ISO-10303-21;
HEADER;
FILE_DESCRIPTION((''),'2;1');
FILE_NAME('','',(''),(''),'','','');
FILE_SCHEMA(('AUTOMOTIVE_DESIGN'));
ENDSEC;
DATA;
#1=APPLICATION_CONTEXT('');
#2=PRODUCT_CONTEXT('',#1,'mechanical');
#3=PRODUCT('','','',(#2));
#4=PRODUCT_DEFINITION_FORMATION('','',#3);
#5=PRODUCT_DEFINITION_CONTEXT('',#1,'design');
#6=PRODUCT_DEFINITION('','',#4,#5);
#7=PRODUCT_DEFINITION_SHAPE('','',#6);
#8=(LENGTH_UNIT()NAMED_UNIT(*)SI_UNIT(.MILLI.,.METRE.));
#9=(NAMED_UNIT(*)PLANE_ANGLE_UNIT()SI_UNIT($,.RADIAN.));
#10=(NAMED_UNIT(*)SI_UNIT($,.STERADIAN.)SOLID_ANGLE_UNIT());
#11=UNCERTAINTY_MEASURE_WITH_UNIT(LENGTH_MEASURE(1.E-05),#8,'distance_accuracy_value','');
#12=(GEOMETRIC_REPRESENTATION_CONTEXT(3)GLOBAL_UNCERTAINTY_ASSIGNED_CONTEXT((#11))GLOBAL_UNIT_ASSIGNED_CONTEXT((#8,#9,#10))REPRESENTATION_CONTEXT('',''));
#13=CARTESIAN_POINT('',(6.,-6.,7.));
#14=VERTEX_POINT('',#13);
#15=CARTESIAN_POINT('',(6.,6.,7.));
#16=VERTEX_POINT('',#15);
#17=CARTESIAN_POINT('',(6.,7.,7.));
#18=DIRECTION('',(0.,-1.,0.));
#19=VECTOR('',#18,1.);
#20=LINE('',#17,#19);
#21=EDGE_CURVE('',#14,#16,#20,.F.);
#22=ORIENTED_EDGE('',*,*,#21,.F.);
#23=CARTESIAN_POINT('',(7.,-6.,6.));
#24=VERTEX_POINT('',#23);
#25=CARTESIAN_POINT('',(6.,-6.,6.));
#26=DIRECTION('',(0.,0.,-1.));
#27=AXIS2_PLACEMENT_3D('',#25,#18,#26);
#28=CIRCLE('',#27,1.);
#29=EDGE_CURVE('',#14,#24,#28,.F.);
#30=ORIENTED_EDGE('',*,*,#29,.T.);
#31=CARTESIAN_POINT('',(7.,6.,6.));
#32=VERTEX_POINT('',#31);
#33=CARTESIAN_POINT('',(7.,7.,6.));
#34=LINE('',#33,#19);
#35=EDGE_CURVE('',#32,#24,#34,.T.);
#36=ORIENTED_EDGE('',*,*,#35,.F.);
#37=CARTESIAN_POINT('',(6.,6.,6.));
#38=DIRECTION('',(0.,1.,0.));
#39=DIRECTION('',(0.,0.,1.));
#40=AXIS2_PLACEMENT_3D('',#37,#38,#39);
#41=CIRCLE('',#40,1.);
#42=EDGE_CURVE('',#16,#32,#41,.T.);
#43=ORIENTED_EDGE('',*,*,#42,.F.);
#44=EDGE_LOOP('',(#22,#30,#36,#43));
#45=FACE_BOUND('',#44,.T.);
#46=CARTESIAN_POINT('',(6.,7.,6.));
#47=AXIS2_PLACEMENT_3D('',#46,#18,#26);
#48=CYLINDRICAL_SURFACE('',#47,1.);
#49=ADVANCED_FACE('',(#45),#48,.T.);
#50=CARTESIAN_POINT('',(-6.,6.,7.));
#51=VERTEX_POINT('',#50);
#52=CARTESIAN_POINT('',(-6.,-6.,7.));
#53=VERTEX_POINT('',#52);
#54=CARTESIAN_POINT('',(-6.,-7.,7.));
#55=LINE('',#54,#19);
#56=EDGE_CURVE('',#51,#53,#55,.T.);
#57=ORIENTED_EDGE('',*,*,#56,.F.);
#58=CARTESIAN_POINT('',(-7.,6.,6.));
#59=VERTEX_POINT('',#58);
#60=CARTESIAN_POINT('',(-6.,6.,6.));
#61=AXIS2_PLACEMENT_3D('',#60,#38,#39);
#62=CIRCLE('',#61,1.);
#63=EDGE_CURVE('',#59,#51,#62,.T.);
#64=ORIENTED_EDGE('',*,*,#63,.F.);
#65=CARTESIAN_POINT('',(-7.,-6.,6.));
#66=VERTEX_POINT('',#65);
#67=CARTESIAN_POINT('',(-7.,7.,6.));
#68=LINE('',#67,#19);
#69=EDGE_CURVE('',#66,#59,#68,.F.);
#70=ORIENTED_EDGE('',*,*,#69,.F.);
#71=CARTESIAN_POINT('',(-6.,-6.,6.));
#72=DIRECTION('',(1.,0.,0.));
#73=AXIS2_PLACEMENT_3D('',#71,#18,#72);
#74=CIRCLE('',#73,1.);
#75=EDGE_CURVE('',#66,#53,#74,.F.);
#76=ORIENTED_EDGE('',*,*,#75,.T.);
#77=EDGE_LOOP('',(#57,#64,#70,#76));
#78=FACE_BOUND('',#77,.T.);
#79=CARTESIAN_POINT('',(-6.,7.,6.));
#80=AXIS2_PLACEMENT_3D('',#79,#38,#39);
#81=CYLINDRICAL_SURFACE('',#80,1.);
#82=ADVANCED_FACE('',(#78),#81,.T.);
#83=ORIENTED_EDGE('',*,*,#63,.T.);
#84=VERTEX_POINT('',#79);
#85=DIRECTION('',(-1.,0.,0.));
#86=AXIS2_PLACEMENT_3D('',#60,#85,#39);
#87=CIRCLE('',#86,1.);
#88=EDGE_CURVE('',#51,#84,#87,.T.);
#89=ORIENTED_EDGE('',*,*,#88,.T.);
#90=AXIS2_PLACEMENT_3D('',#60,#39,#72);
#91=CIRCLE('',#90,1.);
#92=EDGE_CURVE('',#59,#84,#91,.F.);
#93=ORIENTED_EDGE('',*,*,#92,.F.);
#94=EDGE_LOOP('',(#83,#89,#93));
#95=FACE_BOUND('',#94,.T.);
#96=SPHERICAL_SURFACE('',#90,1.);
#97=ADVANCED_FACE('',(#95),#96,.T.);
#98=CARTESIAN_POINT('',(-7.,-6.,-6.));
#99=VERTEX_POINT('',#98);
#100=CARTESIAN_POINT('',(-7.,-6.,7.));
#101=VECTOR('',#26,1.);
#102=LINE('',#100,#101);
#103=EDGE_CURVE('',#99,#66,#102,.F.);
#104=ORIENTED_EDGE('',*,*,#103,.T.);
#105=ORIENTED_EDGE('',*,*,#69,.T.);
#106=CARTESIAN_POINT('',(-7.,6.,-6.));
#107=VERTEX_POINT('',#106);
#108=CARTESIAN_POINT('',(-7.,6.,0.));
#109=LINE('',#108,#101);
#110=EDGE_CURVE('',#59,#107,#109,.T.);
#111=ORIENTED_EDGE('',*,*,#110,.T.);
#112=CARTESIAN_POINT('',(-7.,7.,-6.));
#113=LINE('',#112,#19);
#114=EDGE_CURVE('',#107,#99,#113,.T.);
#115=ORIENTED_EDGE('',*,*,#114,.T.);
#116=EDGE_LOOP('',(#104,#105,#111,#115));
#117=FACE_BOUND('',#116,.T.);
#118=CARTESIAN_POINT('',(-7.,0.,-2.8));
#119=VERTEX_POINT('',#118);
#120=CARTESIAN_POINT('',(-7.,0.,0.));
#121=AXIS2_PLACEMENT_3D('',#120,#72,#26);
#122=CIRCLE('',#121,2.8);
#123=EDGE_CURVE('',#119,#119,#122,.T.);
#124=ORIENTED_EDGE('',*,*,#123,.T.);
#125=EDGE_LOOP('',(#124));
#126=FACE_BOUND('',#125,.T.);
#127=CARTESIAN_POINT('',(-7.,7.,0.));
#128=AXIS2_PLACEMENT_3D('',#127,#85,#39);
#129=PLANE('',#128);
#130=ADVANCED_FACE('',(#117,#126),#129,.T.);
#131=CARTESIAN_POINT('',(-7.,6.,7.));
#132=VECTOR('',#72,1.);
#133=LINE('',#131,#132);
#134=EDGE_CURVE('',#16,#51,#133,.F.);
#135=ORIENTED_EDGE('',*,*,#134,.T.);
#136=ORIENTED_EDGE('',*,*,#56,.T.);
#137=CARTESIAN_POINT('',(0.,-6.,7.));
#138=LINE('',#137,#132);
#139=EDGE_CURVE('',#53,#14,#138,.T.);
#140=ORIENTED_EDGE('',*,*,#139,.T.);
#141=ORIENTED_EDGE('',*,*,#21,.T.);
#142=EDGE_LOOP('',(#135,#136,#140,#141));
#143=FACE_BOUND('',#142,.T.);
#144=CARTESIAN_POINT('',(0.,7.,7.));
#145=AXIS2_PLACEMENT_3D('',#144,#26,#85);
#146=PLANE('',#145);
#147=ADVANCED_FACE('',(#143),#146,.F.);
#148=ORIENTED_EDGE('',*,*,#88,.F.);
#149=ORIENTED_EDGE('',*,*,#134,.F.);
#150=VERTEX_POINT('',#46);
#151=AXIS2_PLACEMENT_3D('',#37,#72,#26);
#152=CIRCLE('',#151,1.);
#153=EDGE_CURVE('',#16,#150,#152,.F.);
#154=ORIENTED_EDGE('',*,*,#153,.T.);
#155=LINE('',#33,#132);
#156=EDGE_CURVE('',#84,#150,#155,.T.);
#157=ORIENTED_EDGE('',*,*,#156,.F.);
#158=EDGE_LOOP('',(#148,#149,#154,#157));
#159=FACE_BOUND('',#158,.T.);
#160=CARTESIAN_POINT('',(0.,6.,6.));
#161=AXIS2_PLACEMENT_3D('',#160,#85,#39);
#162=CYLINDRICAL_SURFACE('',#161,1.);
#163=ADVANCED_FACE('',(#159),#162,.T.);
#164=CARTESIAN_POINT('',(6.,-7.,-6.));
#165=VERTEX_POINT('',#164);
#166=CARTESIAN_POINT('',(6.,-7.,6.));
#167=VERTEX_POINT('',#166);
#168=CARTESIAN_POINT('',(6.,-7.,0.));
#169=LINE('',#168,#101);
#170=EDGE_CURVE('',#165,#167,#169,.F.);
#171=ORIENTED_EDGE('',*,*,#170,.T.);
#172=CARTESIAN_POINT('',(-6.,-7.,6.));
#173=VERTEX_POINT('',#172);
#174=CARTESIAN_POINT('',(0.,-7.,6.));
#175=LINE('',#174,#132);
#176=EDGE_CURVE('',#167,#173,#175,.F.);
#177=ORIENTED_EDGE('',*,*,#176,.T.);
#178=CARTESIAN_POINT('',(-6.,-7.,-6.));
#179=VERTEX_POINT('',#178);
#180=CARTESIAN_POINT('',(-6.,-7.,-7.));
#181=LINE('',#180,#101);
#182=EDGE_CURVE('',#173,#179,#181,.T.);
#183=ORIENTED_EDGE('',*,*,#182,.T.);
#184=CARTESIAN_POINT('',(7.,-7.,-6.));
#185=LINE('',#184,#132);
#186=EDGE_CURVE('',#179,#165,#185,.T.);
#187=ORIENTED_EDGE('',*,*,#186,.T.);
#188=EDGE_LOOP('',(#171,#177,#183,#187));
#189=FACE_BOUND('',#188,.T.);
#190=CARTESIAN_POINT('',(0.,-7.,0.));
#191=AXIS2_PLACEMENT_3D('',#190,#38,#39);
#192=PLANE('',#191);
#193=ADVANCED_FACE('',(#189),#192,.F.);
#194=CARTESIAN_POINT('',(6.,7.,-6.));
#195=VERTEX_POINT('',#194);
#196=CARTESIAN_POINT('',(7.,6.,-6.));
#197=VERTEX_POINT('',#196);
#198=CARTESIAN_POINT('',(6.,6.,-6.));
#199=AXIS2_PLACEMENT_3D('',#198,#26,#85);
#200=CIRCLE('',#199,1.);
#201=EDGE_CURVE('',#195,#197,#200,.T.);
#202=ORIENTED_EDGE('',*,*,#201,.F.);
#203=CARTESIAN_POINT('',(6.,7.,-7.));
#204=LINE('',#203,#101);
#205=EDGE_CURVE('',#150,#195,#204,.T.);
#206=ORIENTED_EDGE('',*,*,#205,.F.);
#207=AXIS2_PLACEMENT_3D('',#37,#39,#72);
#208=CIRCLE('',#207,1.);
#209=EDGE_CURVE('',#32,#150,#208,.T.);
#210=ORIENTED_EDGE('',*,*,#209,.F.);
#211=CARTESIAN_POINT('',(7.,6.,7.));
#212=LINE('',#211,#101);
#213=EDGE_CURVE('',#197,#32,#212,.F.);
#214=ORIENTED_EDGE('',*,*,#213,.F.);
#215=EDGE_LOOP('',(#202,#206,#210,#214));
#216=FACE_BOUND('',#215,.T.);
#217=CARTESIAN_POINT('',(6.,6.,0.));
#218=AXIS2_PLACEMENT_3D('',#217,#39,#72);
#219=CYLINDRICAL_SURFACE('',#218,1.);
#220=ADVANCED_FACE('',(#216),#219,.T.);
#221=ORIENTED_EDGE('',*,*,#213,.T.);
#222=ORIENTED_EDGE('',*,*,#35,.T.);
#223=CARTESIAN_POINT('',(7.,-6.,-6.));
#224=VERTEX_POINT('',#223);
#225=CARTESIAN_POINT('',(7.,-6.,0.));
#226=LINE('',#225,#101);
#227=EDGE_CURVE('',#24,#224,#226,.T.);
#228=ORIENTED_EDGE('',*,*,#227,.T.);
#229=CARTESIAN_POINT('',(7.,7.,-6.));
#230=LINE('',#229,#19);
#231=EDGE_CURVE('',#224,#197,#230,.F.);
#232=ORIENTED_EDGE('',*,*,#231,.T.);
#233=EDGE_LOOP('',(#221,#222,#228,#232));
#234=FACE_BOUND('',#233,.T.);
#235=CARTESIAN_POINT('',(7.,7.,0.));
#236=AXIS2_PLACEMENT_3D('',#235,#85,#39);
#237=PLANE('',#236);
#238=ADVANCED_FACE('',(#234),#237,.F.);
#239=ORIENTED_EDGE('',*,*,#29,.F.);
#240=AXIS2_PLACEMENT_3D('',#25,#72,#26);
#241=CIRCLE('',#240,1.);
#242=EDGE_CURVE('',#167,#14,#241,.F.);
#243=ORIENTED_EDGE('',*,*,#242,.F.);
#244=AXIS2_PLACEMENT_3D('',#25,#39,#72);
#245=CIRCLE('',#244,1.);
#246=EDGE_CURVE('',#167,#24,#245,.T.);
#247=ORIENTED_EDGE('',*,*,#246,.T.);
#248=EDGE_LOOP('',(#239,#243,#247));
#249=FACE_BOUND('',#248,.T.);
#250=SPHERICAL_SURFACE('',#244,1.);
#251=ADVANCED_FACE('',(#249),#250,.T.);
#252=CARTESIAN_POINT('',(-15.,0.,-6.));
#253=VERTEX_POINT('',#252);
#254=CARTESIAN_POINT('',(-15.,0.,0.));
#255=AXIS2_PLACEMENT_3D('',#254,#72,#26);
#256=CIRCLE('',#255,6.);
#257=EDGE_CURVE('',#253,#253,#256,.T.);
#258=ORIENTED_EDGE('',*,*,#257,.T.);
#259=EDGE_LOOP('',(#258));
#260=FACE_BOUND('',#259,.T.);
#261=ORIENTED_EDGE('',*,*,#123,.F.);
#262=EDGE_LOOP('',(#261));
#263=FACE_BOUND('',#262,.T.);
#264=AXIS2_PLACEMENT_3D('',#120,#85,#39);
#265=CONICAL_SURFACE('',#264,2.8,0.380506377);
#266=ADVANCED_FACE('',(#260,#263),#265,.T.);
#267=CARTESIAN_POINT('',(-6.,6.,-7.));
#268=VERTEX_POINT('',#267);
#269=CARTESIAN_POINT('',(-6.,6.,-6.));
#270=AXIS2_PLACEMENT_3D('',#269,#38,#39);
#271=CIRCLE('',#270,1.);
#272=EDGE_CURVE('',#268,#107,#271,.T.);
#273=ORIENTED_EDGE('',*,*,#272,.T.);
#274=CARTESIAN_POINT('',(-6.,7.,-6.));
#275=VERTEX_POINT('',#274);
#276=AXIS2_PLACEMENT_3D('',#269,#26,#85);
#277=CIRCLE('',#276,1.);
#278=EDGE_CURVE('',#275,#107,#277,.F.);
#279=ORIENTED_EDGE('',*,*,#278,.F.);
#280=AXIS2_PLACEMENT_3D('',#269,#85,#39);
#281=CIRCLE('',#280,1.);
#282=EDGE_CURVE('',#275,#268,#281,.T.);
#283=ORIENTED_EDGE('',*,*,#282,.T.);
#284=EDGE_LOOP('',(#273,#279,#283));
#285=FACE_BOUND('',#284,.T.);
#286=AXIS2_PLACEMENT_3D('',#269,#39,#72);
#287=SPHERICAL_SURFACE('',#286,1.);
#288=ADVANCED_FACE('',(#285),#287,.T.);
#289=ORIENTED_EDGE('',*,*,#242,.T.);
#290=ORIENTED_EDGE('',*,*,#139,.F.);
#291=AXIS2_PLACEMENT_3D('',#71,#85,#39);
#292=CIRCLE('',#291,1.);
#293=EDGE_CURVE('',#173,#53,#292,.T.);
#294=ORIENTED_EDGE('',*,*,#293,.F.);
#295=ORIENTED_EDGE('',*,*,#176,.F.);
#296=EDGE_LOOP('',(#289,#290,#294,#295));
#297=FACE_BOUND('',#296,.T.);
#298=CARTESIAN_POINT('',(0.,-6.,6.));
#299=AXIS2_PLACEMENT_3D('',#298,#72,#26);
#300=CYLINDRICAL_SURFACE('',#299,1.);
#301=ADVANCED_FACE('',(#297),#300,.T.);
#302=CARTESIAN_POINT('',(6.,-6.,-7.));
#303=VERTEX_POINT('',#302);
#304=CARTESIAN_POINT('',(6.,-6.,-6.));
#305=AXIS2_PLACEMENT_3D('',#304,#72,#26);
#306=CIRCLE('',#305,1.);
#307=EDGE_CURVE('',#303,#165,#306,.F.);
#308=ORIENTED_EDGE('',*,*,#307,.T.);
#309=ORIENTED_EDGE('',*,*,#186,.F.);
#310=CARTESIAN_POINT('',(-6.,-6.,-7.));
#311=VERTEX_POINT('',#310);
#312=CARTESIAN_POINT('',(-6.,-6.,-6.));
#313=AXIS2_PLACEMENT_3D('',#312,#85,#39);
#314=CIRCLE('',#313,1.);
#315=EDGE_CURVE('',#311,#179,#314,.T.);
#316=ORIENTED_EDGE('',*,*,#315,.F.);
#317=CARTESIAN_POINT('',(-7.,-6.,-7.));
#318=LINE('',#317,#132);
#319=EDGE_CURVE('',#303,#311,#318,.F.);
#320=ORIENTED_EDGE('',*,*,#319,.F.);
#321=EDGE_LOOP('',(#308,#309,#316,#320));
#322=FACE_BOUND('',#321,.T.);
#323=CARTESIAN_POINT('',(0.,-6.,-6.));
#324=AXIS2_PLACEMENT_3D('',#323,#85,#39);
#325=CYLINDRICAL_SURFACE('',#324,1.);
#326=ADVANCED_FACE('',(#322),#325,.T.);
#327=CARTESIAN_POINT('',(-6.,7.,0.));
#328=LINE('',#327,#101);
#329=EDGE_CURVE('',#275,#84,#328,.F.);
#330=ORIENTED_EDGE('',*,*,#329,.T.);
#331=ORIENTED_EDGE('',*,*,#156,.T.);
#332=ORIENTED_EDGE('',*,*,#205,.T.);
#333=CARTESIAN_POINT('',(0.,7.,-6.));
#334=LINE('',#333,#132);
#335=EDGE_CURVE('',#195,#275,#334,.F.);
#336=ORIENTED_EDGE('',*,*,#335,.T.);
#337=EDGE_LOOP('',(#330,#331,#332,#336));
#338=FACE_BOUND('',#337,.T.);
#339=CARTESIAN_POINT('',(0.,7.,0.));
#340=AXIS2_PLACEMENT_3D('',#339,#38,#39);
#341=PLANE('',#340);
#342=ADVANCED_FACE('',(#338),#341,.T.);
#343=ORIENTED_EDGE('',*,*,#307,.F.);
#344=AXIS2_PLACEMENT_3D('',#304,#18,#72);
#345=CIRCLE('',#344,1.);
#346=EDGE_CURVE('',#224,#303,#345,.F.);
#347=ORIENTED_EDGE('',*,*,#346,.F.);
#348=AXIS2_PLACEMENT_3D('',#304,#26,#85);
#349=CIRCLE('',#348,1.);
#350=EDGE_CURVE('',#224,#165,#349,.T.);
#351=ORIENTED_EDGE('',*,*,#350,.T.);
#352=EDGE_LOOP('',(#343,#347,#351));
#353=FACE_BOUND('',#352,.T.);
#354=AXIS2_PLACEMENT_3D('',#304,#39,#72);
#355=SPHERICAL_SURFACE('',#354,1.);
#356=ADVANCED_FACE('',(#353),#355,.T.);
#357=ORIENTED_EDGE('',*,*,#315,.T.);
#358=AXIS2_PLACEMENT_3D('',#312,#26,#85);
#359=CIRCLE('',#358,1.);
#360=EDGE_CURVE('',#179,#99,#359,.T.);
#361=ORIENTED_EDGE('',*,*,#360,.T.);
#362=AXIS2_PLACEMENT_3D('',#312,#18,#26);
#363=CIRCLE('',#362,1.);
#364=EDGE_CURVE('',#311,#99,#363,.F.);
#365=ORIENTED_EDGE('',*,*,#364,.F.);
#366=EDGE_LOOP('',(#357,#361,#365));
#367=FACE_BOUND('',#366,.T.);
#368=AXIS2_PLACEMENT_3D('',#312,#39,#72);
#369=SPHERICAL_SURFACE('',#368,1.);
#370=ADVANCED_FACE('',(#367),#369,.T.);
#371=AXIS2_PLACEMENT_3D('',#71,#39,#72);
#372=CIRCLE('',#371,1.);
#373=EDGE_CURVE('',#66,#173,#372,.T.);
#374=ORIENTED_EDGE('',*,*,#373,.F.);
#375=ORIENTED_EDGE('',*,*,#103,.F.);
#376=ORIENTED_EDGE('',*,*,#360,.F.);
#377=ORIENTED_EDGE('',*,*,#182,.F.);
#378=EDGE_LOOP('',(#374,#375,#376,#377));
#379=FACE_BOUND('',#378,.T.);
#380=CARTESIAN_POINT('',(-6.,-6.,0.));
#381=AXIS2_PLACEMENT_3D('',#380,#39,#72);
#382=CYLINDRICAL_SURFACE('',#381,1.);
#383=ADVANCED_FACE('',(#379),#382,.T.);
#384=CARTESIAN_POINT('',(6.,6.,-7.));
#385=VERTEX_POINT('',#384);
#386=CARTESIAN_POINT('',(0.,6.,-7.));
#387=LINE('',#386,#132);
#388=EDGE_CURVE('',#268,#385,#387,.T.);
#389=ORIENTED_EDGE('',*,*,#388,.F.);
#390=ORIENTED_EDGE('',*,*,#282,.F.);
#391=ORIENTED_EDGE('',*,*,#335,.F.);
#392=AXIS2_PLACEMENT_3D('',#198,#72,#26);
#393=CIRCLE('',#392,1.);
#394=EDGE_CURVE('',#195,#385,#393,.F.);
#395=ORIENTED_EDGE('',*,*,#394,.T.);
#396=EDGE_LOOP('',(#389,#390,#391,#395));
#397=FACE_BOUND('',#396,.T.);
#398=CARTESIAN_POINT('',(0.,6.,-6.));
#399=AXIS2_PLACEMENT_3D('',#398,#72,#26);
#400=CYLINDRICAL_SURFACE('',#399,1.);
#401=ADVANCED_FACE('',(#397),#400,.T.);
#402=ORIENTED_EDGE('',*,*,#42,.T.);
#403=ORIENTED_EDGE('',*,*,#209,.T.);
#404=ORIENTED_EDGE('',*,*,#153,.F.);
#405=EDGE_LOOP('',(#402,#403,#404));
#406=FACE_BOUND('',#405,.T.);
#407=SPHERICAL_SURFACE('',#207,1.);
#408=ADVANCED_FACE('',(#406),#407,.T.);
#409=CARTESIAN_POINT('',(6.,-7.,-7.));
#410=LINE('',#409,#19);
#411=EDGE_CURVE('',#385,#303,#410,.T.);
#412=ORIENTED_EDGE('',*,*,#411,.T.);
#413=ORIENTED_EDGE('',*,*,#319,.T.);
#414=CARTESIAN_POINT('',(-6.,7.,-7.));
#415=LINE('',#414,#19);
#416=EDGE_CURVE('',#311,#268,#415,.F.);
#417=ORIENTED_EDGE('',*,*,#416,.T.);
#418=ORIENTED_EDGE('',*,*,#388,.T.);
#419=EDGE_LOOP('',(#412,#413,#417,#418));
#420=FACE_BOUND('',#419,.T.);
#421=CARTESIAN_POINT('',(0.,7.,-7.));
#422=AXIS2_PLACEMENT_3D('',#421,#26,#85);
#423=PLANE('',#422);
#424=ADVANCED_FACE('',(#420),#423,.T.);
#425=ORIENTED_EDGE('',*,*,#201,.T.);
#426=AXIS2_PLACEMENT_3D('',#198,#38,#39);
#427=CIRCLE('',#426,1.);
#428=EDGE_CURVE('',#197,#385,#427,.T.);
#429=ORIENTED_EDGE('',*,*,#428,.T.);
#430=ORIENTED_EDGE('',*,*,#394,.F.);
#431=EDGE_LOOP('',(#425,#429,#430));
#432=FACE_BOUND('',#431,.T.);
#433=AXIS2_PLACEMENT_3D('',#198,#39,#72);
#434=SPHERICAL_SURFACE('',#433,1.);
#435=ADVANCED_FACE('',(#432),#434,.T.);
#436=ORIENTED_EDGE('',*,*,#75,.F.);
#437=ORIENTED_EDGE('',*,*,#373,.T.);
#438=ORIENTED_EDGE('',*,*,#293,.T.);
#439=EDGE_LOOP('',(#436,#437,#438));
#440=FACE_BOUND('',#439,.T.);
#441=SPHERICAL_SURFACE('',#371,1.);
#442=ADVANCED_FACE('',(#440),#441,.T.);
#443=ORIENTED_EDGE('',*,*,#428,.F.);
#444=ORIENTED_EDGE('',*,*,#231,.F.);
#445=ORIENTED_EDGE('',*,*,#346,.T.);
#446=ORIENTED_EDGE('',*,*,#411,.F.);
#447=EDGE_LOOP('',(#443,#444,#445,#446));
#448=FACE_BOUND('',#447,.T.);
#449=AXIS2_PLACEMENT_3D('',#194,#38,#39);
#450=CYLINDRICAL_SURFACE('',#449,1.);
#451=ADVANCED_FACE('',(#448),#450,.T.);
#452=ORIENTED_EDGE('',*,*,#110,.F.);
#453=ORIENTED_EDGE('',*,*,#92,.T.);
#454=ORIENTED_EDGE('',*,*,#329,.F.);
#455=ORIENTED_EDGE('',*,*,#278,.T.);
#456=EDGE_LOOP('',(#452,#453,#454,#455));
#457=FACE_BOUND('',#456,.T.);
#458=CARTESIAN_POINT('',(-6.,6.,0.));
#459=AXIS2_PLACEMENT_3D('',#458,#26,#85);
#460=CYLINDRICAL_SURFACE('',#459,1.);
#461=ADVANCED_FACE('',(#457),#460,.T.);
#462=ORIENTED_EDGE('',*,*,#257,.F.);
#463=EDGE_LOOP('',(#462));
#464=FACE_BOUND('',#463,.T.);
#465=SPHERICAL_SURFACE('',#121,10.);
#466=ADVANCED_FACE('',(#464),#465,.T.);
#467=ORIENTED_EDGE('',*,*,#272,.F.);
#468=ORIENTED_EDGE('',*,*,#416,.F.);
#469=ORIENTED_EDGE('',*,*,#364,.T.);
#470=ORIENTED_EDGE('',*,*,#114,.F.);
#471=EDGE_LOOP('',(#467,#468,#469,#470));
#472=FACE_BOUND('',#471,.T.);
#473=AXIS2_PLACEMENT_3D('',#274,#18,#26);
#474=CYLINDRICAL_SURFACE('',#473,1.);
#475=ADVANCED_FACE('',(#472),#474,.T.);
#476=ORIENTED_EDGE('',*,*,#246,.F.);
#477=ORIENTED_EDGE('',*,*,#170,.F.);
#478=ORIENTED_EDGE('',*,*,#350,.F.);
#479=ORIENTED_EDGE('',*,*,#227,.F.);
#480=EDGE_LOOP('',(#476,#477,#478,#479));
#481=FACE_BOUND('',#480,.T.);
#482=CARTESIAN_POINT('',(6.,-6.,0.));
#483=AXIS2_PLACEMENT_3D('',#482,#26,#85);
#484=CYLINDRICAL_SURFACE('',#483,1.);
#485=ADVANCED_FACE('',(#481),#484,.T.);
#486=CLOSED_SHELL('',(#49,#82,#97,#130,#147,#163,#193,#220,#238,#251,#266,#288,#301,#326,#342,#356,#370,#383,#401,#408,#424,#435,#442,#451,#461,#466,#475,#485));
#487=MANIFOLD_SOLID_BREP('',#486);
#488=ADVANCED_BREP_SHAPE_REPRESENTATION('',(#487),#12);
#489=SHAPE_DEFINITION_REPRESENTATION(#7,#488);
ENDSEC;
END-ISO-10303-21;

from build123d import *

# Parameters (mm, degrees)
AUFSATZ_LINEAR_AUSTRAGEN2_DEPTH = 7
VERRUNDUNG2_R                   = 1


with BuildPart() as part:
    # Skizze1 → Rotation1 (revolve)
    with BuildSketch(Plane(origin=(0, 0, 0), x_dir=(1, 0, 0), z_dir=(0, 1, 0))):
        with BuildLine():
            Line((-7, 0), (-7, 2.8))
            Line((-7, 2.8), (-15, 6))
            ThreePointArc((-15, 6), (-16.486832981, 3.16227766), (-17, 0))
            Line((-17, 0), (-7, 0))
        make_face()
    revolve(axis=Axis((-7.719127457, 0, 0), (-1, 0, 0)))

    # Skizze1<3> → Aufsatz-Linear austragen2 (add, symmetric)
    with BuildSketch(Plane(origin=(0, 0, 0), x_dir=(1, 0, 0), z_dir=(0, 1, 0))):
        Polygon((-7, 7), (-7, 2.8), (-7, 0), (-7, -7), (7, -7), (7, 0), (7, 7), align=None)
    extrude(amount=AUFSATZ_LINEAR_AUSTRAGEN2_DEPTH, both=True)

    # Verrundung2
    verrundung2_edges = [part.edges().sort_by_distance(p)[0] for p in [
        (-7, 7, 0),
        (7, 7, 0),
        (7, -7, 0),
        (-7, -7, 0),
        (-7, 0, 7),
        (0, 7, 7),
        (7, 0, 7),
        (0, -7, 7),
        (7, 0, -7),
        (0, 7, -7),
        (-7, 0, -7),
        (0, -7, -7),
    ]]
    fillet(verrundung2_edges, radius=VERRUNDUNG2_R)


solid = part.part
